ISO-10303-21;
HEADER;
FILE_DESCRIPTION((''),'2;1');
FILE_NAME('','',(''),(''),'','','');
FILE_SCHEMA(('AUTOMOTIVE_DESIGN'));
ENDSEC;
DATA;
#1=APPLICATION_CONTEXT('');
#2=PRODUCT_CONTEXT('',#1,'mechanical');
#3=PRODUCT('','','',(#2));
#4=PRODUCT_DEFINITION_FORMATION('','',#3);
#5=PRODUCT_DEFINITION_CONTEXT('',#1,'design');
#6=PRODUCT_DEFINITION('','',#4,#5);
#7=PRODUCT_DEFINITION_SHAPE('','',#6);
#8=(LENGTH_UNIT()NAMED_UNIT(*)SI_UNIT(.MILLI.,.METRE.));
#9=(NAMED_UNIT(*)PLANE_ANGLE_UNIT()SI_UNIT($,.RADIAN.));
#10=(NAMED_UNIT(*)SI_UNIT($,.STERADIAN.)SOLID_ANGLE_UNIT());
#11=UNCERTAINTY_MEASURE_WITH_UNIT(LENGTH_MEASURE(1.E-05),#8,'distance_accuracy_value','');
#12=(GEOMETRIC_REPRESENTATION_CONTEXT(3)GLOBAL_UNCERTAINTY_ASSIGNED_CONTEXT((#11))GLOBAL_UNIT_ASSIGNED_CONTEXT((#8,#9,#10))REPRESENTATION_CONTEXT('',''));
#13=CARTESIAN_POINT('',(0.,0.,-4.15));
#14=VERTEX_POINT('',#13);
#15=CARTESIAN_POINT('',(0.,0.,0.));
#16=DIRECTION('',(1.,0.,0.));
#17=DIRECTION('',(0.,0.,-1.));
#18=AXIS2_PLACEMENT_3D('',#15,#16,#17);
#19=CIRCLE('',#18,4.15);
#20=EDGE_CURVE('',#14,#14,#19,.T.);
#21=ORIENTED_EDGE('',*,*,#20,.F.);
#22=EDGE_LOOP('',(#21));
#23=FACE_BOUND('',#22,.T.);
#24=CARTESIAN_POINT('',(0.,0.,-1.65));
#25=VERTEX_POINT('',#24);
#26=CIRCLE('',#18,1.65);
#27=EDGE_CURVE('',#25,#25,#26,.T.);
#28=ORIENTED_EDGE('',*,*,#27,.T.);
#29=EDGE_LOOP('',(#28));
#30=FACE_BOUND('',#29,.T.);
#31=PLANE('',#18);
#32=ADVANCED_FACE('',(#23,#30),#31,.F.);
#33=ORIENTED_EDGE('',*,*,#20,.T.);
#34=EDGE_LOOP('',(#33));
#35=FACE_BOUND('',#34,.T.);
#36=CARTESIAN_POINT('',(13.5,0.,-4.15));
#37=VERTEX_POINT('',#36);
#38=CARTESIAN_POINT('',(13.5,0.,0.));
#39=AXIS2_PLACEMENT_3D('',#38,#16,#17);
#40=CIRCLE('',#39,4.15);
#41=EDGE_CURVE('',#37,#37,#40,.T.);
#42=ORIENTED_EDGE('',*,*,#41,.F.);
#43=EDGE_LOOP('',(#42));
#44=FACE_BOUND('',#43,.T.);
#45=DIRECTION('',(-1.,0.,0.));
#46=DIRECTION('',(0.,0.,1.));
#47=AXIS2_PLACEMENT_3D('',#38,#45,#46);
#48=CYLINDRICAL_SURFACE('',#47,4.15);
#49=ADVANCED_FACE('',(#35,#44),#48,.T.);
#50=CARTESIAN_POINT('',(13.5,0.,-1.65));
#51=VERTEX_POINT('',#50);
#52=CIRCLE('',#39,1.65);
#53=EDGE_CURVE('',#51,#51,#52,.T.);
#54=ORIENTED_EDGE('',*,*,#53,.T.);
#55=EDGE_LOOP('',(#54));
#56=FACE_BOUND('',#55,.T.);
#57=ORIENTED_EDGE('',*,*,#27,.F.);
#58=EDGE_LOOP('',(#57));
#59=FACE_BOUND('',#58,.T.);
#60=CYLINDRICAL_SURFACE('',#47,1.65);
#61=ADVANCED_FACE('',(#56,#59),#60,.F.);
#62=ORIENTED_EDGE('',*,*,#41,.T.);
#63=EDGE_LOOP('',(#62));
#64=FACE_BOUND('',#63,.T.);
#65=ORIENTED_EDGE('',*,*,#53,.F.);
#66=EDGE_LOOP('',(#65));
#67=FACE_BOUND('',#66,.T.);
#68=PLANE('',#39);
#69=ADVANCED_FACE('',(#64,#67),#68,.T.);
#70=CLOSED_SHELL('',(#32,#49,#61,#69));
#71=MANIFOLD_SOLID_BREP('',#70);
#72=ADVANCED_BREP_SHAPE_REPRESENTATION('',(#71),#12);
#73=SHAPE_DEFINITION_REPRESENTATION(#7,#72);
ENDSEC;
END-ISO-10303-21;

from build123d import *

# Parameters (mm, degrees)
SKETCH_1_R      = 4.15
SKETCH_1_R_2    = 1.65
EXTRUDE_1_DEPTH = 13.5


with BuildPart() as part:
    # 草图1 → 凸台-拉伸1 (new body)
    with BuildSketch(Plane(origin=(0, 0, 0), x_dir=(0, 0, -1), z_dir=(1, 0, 0))):
        Circle(SKETCH_1_R)
        Circle(SKETCH_1_R_2, mode=Mode.SUBTRACT)
    extrude(amount=EXTRUDE_1_DEPTH)


solid = part.part
